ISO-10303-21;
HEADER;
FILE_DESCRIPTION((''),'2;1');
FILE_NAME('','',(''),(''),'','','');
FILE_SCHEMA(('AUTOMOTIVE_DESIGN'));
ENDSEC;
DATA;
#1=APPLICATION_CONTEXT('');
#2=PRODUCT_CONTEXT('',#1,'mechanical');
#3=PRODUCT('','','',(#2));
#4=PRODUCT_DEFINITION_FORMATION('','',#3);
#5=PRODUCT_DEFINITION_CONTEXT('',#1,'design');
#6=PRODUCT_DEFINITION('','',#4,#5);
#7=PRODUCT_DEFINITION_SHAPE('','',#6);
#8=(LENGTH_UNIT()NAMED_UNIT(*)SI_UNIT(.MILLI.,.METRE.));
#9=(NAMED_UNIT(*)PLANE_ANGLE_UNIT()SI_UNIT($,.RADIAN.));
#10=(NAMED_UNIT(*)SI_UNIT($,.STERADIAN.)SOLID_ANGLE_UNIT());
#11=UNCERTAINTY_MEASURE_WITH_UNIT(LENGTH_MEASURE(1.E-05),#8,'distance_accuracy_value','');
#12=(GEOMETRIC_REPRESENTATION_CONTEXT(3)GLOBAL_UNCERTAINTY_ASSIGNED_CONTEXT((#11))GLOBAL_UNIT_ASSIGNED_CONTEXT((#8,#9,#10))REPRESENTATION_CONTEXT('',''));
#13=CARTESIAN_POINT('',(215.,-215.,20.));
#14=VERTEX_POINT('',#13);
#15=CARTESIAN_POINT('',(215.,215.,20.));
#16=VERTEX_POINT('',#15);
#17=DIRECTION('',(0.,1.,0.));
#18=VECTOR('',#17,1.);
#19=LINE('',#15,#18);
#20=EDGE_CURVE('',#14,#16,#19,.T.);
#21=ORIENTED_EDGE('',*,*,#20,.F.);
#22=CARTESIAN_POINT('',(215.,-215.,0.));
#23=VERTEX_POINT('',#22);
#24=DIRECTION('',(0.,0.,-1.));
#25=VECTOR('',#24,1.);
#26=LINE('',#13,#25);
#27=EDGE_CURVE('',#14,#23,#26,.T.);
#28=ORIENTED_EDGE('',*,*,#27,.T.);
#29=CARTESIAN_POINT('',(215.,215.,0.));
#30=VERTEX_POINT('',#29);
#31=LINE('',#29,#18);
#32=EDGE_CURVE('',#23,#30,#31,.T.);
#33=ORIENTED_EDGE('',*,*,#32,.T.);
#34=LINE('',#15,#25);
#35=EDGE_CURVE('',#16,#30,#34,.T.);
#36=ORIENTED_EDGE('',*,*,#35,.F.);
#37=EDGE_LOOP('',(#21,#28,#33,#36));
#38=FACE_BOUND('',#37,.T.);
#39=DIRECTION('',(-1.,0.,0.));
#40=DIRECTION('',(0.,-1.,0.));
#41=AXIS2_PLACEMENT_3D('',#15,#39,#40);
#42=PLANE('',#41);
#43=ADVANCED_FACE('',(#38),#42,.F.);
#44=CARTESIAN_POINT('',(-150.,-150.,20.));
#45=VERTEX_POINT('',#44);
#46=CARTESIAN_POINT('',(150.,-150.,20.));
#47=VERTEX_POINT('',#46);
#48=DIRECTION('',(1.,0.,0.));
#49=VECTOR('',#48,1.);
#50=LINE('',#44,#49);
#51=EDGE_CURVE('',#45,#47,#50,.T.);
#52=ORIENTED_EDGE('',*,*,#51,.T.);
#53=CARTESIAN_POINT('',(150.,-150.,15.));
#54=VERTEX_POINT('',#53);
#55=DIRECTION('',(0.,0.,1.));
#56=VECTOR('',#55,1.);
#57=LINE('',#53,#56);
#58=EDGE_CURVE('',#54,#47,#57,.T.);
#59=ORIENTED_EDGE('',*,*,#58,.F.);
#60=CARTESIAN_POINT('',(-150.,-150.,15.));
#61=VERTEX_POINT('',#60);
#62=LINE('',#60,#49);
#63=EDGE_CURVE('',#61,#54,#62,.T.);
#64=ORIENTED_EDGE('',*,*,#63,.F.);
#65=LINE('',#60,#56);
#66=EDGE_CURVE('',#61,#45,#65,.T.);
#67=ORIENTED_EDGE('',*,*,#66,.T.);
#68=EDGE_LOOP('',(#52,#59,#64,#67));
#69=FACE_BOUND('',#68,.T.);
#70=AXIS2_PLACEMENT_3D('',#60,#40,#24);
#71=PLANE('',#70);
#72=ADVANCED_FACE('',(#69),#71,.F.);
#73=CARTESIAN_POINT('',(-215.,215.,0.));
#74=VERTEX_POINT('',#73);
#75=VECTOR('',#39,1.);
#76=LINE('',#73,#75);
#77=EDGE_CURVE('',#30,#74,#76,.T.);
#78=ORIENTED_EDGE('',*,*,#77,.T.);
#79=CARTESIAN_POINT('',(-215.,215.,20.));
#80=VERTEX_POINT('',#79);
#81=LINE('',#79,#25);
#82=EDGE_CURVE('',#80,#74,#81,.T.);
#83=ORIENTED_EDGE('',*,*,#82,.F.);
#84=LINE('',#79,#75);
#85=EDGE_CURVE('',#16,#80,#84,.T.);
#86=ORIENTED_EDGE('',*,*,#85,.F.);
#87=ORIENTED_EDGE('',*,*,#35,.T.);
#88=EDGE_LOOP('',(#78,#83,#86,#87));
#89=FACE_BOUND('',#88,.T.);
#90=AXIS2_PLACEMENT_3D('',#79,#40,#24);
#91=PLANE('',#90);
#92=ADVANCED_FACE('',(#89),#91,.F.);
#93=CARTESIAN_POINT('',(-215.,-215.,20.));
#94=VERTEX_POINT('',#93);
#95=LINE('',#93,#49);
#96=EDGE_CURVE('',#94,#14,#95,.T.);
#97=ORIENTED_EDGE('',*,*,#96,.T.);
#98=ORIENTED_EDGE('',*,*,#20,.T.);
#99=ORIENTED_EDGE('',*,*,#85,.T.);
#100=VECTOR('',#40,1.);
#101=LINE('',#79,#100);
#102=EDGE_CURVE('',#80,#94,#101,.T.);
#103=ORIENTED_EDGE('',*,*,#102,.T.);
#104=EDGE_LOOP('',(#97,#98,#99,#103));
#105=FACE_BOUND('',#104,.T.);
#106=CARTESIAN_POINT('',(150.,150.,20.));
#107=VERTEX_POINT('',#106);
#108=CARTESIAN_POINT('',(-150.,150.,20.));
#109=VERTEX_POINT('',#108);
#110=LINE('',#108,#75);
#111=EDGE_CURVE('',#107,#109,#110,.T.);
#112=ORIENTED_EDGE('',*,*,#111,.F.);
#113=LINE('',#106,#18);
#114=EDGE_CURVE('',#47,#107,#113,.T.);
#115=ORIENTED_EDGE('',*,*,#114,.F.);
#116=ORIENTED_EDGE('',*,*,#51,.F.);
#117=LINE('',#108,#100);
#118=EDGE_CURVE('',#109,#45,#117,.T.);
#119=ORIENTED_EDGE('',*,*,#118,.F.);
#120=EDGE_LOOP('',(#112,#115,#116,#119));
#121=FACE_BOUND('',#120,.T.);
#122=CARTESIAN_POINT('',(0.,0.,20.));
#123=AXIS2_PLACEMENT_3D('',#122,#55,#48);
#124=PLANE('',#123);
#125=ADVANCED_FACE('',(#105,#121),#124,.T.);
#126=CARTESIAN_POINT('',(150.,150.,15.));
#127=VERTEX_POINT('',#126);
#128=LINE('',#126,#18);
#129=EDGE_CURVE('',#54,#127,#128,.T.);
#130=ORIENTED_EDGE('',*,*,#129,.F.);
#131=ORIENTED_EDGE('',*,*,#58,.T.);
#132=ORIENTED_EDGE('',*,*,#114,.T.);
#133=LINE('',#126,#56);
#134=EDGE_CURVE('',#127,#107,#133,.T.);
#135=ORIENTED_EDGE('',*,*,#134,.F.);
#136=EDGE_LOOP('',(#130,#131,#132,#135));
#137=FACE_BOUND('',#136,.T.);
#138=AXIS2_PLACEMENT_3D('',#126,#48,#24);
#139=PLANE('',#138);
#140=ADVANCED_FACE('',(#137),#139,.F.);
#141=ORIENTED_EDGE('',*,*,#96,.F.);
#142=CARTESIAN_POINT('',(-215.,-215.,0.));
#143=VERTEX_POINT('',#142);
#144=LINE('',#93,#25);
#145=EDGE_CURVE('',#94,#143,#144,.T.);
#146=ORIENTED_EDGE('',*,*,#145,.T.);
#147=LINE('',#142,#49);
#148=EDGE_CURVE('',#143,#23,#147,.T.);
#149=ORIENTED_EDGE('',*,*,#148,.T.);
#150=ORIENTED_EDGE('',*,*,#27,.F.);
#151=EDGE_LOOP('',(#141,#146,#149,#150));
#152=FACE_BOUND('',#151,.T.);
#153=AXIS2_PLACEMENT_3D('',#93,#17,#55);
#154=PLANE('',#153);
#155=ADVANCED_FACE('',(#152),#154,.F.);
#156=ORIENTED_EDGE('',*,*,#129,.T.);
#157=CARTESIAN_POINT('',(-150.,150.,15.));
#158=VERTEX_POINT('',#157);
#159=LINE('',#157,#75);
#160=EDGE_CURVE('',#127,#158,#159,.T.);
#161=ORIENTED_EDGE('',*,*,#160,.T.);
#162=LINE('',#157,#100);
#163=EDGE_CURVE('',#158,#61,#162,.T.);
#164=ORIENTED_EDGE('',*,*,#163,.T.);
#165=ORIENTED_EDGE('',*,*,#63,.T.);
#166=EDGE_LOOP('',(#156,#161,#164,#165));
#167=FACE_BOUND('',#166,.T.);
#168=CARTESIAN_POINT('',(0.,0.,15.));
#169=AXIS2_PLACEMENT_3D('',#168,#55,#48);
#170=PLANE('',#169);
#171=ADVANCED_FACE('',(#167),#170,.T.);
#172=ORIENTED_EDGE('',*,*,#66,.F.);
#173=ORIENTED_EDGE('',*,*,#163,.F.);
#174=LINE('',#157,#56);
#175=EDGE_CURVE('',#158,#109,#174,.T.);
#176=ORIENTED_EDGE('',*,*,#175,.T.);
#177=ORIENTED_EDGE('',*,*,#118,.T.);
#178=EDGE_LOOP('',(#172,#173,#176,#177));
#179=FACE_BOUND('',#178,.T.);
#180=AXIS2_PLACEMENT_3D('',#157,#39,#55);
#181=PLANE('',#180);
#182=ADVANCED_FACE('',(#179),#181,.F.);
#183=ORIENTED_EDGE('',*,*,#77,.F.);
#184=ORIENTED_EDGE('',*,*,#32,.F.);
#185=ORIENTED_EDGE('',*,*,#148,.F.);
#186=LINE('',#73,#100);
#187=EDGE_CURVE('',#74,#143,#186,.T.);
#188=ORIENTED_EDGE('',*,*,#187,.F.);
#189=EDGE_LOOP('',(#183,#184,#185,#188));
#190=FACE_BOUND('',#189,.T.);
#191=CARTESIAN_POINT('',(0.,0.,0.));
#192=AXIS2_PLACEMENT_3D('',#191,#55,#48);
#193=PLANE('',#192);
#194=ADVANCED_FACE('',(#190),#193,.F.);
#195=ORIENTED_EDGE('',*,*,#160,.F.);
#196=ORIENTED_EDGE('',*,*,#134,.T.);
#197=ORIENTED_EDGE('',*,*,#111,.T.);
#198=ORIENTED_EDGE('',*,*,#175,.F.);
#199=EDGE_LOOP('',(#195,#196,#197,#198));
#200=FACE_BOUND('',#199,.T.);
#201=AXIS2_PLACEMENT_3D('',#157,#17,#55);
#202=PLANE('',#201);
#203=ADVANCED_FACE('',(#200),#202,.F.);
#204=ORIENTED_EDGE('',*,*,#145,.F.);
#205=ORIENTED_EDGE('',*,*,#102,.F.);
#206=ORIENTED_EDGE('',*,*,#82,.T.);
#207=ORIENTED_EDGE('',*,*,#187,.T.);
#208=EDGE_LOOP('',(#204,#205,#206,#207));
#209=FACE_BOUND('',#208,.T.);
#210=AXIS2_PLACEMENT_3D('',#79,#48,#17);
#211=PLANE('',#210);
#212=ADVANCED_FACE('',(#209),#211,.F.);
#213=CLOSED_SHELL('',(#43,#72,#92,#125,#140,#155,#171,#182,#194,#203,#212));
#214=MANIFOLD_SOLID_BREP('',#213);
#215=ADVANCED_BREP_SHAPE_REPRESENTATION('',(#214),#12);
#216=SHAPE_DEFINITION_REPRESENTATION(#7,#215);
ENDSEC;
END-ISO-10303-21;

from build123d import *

# Parameters (mm, degrees)
SKETCH_2_W          = 430
SKETCH_2_H          = 430
EXTRUDE_1_DEPTH     = 20
SKETCH_3_W          = 300
SKETCH_3_H          = 300
CUT_EXTRUDE_1_DEPTH = 5


with BuildPart() as part:
    # 스케치2 → 보스-돌출1 (new body)
    with BuildSketch(Plane.XY):
        Rectangle(SKETCH_2_W, SKETCH_2_H)
    extrude(amount=EXTRUDE_1_DEPTH)

    # 스케치3 → 컷-돌출1 (cut)
    with BuildSketch(Plane.XY.offset(20)):
        Rectangle(SKETCH_3_W, SKETCH_3_H)
    extrude(amount=-CUT_EXTRUDE_1_DEPTH, mode=Mode.SUBTRACT)


solid = part.part
